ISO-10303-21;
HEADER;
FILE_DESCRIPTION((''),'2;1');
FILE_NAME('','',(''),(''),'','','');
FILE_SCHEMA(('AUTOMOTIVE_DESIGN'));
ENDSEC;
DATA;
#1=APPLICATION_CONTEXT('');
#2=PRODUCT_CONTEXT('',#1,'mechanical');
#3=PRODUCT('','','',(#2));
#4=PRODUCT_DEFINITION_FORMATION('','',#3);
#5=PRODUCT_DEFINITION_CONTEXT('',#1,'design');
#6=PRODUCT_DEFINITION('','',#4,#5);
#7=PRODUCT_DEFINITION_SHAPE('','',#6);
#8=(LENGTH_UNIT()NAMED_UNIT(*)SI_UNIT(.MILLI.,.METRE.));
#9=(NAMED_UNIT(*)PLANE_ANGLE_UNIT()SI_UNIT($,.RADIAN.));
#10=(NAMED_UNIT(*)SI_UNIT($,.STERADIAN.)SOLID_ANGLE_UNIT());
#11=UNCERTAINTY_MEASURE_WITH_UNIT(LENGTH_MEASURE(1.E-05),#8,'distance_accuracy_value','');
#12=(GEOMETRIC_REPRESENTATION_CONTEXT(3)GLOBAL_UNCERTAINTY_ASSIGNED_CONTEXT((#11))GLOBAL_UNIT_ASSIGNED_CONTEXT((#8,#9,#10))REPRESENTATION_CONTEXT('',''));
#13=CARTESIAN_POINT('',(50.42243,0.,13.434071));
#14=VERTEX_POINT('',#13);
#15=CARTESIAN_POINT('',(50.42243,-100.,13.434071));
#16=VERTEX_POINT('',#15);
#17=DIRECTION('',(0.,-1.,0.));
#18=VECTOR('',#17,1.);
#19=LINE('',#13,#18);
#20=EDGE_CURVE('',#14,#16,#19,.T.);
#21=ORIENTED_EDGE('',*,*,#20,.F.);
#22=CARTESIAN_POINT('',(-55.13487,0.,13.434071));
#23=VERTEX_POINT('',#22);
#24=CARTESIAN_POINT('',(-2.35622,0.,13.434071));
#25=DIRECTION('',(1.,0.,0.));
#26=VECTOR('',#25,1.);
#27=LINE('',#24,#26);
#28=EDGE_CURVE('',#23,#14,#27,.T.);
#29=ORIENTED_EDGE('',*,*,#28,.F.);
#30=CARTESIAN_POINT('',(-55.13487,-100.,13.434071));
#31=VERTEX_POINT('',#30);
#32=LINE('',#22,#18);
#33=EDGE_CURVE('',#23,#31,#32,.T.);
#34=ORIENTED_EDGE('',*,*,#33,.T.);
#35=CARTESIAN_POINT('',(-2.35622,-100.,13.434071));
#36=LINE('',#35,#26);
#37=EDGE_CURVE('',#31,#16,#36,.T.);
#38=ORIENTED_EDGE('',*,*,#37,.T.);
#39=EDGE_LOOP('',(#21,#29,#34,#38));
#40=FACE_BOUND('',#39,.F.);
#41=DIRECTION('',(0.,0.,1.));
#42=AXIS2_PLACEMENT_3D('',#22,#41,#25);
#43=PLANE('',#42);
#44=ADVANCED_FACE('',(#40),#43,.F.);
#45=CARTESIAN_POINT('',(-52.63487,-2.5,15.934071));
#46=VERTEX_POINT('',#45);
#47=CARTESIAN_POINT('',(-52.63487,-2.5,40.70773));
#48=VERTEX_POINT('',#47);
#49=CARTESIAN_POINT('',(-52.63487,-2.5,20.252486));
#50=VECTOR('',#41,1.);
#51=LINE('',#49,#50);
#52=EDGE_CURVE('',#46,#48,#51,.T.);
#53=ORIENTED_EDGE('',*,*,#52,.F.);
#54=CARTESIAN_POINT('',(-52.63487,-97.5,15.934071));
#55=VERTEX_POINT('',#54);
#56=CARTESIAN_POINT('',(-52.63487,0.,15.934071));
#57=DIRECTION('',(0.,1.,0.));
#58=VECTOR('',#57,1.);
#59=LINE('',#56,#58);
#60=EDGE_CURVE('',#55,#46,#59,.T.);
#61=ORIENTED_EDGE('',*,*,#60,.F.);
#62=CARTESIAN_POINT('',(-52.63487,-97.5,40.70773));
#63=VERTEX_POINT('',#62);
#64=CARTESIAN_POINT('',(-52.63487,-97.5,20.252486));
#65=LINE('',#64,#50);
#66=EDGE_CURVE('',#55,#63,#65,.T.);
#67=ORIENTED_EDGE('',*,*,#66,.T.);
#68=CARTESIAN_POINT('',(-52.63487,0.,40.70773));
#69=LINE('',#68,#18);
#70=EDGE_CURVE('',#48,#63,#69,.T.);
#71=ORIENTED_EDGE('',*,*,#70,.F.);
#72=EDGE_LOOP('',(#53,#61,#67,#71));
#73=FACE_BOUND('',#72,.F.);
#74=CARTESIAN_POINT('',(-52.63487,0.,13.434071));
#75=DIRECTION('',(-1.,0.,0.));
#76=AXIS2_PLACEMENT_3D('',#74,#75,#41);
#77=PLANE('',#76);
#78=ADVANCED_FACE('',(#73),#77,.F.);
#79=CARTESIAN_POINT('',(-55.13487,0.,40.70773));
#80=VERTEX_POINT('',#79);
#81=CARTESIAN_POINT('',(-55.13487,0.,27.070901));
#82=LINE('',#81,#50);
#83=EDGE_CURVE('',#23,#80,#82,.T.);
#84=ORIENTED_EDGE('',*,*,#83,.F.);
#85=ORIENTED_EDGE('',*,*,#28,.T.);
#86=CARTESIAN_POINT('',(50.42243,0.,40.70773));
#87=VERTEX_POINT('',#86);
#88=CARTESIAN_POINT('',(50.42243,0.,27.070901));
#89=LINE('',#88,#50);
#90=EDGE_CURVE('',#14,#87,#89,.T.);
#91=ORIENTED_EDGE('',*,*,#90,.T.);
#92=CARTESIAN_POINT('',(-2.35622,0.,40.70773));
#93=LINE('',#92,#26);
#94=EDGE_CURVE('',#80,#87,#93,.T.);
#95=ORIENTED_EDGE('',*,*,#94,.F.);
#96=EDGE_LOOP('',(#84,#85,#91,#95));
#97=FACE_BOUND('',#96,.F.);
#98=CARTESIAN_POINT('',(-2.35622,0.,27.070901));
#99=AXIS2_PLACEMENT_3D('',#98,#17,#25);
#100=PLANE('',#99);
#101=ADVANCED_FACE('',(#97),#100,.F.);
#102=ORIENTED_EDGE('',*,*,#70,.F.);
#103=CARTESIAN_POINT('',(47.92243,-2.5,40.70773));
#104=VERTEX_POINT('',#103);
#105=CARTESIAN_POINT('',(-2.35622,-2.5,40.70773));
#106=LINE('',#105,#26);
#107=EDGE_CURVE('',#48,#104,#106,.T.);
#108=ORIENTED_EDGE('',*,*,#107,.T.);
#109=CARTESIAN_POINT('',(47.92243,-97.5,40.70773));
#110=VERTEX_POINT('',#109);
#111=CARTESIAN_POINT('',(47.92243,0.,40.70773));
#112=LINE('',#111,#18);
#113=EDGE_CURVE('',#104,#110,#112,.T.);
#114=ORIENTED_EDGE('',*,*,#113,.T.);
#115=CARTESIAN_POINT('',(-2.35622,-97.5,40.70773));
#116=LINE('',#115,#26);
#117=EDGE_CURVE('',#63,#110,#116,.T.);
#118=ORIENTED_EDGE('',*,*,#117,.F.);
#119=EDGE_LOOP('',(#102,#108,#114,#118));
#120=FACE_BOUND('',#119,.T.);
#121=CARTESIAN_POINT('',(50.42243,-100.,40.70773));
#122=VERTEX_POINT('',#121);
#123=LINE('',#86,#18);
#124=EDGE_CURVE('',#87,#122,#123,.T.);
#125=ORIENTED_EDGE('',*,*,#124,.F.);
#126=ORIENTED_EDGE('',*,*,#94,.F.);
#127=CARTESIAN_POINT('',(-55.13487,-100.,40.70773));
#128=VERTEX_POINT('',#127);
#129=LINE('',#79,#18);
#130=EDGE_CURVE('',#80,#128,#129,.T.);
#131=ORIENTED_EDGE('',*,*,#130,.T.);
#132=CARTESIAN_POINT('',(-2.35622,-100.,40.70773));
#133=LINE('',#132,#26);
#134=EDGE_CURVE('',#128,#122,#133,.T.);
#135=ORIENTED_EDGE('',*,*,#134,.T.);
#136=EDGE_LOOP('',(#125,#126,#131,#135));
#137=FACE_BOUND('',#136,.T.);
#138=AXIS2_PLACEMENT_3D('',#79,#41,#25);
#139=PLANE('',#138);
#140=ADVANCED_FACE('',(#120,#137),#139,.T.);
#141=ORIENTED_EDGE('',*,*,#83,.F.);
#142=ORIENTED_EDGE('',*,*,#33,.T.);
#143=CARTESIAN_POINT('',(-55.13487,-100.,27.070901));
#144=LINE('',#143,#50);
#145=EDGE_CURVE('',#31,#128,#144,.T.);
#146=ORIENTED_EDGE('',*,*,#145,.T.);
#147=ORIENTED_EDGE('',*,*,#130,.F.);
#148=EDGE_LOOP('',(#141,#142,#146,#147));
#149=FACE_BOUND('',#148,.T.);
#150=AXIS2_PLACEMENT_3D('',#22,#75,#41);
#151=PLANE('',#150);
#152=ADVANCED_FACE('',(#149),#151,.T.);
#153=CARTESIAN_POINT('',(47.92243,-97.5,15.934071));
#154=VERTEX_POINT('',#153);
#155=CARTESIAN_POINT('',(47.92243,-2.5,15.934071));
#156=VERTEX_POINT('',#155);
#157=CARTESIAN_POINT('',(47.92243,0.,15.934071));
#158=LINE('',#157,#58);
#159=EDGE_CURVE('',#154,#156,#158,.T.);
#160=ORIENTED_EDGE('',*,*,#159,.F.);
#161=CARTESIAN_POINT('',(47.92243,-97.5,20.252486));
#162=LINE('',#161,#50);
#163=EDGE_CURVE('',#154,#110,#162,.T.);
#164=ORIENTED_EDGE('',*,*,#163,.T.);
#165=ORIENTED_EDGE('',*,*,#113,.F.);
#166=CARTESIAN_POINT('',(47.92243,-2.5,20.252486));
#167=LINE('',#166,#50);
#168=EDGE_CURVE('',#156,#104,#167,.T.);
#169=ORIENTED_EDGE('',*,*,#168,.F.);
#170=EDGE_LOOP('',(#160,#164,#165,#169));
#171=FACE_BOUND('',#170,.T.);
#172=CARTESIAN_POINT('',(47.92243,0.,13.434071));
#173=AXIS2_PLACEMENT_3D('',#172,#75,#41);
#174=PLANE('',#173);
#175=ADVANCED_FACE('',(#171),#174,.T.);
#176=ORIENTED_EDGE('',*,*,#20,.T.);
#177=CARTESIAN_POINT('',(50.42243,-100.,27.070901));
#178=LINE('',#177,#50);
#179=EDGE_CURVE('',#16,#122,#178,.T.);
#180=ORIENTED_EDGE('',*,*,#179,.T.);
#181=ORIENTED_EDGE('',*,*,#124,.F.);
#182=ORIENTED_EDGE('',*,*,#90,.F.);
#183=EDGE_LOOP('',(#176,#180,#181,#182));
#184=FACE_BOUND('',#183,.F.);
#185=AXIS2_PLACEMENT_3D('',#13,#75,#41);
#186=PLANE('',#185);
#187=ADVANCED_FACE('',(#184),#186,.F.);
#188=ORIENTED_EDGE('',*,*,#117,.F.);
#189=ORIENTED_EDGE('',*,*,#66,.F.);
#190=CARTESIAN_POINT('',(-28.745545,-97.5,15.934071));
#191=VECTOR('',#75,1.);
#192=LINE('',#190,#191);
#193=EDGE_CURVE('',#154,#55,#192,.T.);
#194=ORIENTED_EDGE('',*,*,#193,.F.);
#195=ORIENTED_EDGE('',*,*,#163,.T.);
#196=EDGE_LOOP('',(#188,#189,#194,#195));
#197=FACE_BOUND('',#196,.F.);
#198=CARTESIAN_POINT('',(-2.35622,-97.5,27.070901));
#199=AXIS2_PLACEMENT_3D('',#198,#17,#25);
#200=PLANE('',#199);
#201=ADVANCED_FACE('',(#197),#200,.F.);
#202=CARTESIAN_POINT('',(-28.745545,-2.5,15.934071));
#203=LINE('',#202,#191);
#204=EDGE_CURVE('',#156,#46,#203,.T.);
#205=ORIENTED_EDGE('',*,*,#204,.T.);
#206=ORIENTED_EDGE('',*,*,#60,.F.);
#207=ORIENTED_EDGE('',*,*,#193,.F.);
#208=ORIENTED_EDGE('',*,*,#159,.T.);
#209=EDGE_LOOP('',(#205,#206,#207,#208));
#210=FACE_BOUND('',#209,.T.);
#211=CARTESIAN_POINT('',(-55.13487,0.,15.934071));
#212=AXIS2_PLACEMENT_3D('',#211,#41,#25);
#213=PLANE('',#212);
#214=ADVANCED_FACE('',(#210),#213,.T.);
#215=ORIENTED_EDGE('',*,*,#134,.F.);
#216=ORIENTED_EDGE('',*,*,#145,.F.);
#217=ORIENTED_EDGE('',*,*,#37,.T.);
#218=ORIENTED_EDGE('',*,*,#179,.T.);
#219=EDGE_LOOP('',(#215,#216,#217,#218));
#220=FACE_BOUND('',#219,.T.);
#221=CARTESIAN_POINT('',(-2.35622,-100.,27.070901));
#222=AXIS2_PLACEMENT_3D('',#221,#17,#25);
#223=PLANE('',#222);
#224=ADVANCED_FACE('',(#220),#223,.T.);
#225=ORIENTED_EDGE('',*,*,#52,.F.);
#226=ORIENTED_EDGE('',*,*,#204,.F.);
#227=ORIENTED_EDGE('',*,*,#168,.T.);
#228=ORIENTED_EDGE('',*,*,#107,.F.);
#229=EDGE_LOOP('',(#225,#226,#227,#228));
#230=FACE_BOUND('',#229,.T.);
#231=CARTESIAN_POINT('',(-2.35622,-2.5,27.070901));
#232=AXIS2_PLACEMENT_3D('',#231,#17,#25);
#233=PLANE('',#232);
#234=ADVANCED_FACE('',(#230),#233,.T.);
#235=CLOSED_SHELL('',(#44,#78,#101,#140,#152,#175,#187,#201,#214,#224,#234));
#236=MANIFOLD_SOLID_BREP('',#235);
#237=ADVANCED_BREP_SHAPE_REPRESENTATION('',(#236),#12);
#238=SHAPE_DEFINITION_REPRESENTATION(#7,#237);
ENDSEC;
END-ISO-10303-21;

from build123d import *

# Parameters (mm, degrees)
F0_W     = 105.5573
F0_H     = 27.273659
F1_DEPTH = 100
F2_T     = -2.5


with BuildPart() as f1:
    # F0 (on Front) → F1 (new body)
    with BuildSketch(Plane.XZ):
        with Locations((-2.35622, 27.070901)):
            Rectangle(F0_W, F0_H)
    extrude(amount=F1_DEPTH)

    # F2
    f2_openings = [f1.faces().sort_by_distance(p)[0] for p in [
        (-2.35622, -50, 40.70773),
    ]]
    offset(amount=F2_T, openings=f2_openings)


solid = f1.part
